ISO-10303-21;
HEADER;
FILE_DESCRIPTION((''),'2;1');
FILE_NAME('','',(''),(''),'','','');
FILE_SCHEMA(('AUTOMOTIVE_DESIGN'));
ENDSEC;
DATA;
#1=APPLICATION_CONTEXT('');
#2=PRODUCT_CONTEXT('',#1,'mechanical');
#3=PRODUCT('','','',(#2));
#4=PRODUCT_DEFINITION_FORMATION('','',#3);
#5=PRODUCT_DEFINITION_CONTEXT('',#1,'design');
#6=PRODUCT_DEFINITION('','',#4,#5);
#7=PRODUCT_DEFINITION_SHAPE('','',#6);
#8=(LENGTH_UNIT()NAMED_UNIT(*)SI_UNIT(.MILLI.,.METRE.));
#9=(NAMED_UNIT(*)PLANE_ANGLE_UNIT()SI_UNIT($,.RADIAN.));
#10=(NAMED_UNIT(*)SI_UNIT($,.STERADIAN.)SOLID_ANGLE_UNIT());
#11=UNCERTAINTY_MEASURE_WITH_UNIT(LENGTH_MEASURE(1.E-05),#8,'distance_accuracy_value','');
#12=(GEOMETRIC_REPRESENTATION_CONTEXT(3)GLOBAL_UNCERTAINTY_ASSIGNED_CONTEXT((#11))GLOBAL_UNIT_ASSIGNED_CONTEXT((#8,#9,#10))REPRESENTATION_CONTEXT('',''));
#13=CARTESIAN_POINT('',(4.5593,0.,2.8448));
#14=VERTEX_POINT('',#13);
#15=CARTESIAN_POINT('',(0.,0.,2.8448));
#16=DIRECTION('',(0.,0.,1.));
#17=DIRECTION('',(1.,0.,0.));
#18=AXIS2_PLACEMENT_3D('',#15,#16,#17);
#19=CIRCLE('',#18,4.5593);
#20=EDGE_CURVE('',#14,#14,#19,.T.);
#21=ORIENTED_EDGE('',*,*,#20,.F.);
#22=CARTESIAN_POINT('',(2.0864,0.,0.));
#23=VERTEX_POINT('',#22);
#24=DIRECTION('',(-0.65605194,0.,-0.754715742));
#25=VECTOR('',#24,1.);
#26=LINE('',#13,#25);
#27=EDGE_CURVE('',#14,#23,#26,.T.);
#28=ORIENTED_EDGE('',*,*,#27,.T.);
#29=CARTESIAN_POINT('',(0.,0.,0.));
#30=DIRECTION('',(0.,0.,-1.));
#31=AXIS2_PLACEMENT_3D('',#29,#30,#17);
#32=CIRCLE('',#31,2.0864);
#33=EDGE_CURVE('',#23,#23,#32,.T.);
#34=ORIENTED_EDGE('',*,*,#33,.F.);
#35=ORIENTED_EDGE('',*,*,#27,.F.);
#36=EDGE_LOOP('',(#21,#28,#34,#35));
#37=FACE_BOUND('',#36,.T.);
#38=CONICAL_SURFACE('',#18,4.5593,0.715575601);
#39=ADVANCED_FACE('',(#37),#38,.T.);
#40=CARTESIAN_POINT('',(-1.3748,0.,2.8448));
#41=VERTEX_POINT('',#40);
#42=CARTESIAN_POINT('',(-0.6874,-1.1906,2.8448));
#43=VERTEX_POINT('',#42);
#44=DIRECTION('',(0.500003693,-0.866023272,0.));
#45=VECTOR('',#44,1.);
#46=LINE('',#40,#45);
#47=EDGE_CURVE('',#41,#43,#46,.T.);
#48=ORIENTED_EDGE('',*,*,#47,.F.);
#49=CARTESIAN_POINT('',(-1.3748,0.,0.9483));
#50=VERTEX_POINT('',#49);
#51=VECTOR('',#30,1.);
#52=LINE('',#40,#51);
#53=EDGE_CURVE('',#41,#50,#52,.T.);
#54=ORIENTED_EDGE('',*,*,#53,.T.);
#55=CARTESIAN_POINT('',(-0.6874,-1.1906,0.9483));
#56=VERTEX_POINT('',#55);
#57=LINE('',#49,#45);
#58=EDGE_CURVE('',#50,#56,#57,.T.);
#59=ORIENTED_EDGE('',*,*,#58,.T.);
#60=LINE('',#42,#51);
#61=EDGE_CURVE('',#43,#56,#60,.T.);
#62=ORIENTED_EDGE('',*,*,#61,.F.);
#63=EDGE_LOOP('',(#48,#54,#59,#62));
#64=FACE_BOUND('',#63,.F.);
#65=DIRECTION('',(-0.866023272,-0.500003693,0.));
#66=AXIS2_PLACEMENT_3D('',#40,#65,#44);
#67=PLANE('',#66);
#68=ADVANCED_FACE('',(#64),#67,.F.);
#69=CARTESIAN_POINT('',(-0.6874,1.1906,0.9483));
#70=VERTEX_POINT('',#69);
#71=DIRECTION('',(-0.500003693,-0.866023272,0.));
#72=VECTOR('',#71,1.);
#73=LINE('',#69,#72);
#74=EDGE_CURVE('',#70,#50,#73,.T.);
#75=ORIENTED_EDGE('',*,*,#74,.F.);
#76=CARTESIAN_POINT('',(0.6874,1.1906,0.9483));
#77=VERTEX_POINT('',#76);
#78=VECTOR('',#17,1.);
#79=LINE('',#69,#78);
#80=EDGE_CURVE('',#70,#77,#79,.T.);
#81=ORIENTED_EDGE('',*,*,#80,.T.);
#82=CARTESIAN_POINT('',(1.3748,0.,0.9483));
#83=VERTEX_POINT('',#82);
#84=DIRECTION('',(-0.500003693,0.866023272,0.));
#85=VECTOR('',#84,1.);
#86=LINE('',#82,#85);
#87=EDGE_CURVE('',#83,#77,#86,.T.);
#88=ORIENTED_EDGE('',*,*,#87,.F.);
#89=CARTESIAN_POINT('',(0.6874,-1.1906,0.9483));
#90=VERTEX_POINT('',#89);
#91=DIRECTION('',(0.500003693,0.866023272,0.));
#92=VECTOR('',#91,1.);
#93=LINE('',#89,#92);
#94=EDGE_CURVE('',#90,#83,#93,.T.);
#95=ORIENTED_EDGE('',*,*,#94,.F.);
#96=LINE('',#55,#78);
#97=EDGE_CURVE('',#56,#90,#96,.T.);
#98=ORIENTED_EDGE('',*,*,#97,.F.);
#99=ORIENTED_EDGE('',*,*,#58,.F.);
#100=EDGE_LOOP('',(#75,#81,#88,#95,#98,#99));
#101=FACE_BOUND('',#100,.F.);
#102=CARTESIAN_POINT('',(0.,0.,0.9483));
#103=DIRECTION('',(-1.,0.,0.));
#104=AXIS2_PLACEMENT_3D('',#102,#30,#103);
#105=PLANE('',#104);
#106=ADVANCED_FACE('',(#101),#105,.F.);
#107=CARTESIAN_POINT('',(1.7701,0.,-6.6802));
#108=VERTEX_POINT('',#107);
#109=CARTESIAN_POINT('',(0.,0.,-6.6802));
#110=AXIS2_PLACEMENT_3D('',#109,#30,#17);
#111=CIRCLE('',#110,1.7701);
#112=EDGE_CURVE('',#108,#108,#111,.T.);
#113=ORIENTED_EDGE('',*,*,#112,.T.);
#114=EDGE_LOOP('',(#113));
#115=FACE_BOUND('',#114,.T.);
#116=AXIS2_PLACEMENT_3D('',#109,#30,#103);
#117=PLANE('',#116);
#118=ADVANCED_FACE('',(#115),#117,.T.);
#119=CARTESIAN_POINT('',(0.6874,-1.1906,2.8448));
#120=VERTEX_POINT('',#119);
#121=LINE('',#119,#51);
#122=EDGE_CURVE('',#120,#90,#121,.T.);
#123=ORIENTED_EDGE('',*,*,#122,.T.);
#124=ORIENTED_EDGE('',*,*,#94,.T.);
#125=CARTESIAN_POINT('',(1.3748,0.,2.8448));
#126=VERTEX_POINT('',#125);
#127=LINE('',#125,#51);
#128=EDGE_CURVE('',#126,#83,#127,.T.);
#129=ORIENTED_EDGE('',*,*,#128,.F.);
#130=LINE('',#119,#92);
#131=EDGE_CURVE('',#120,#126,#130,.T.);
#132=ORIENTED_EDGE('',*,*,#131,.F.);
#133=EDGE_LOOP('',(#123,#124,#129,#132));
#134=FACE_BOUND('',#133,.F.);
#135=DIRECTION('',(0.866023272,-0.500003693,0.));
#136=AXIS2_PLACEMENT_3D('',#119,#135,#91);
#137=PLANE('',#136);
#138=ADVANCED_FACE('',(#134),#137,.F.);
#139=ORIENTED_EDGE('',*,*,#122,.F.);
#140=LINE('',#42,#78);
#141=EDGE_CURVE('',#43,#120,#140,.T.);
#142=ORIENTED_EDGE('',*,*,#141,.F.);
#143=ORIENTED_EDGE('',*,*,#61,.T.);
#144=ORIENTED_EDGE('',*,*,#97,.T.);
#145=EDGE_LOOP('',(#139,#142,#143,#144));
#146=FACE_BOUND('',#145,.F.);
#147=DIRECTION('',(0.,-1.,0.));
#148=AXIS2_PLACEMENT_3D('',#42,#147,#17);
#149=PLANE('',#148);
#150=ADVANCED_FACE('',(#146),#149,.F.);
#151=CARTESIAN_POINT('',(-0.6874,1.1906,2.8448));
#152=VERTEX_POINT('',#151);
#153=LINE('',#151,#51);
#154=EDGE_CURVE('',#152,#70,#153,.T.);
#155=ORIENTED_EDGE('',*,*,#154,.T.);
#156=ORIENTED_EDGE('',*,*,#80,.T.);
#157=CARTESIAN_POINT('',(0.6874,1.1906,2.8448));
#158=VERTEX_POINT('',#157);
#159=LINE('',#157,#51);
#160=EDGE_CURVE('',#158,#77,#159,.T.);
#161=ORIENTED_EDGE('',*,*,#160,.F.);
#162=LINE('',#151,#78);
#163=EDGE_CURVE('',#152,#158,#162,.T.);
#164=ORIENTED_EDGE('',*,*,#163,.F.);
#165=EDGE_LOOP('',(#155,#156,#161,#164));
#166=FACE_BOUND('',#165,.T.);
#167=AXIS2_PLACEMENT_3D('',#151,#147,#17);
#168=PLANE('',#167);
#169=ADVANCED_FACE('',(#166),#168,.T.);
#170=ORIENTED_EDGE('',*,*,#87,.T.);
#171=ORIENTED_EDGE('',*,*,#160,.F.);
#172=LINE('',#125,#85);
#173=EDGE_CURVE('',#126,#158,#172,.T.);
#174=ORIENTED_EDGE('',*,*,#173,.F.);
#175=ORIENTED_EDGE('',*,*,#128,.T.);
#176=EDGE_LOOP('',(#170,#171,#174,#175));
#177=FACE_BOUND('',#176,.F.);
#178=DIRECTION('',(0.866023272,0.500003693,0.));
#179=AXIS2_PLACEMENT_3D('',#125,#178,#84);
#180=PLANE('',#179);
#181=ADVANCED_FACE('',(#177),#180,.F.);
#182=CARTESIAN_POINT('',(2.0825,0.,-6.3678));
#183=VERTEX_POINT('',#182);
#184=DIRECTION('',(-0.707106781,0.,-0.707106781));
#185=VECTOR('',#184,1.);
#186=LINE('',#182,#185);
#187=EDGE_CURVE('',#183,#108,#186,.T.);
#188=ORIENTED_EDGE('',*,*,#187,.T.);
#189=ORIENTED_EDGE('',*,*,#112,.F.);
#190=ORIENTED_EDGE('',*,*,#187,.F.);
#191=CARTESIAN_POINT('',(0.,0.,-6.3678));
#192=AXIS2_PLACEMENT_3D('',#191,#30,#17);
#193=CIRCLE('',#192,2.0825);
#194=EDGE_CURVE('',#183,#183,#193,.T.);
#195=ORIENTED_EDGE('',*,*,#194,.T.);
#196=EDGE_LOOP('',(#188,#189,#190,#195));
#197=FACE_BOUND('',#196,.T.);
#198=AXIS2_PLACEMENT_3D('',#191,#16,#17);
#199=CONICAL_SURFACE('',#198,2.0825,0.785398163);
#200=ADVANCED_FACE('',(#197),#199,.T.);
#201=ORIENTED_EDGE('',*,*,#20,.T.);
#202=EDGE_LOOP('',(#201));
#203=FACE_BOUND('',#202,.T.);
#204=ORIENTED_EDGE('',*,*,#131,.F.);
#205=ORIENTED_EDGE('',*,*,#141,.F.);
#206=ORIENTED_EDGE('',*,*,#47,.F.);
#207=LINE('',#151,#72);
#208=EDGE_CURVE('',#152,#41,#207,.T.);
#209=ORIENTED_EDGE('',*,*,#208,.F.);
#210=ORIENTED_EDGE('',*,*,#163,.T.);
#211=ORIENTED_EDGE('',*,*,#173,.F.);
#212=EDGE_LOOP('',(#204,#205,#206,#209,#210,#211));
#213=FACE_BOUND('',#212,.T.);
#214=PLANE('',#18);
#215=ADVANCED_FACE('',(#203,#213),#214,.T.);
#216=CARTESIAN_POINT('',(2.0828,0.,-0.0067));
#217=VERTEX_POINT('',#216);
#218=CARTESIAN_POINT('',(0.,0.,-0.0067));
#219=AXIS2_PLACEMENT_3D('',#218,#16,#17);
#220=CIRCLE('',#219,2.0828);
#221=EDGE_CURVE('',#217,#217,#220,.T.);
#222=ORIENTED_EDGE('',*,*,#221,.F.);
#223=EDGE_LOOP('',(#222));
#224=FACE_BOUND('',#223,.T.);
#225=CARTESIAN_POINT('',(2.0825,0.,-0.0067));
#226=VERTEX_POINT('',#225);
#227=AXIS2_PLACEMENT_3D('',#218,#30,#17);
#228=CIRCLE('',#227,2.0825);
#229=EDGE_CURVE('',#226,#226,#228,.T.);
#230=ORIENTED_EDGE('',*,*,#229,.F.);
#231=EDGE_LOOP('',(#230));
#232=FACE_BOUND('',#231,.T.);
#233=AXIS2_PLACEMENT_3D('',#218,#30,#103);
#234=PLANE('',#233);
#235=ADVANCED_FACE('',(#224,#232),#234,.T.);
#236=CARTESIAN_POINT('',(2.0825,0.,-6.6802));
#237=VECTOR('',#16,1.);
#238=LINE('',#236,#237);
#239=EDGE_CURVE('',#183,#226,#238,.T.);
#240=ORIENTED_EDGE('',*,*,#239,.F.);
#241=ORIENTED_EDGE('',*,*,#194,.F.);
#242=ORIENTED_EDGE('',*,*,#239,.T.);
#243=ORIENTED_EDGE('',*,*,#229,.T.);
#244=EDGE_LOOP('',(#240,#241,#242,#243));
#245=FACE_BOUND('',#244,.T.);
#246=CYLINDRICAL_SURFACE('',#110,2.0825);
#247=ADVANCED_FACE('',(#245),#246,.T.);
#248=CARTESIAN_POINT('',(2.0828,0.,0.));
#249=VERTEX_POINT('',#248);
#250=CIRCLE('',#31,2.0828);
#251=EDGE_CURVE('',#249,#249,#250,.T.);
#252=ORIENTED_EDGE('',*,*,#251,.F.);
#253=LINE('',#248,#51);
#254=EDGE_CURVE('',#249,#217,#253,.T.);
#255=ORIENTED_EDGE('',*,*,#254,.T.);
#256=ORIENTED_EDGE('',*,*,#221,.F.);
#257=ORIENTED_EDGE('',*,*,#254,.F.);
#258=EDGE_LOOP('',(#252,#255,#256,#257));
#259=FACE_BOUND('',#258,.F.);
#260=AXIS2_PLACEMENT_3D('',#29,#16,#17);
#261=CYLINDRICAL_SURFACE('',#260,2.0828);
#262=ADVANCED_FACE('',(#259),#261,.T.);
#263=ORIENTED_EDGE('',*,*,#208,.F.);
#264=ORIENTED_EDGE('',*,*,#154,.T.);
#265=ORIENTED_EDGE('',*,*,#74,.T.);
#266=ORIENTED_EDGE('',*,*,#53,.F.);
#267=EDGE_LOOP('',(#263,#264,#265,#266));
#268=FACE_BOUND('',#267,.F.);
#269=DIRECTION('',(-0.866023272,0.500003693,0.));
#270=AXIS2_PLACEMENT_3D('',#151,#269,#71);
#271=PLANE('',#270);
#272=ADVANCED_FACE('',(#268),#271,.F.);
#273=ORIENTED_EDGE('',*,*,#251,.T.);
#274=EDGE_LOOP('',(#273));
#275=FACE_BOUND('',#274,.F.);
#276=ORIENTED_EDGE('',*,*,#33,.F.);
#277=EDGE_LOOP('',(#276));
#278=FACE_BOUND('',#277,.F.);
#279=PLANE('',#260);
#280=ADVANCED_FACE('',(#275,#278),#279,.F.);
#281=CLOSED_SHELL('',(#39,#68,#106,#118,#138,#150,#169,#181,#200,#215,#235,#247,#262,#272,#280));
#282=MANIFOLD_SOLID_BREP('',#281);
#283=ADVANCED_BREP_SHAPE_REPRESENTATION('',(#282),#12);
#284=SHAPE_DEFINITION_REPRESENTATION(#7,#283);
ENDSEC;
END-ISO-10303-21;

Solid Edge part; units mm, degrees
sketch "Sketch1" plane through (0, 0, 0) normal (0, 0, 1) x (1, 0, 0)
  circle A0 centre (0, 0) radius 4.5593
  dimension "D1" = 9.1186
extrude "Protrusion1" add sketch "Sketch1" along normal blind 2.8448
sketch "Sketch2" plane through (0, 0, 0) normal (0, 0, -1) x (1, 0, 0)
  circle A0 centre (0, 0) radius 2.0828
extrude "Protrusion2" add sketch "Sketch2" along normal blind 6.6802
sketch "Sketch3" plane through (0, 0, -6.6802) normal (0, 0, -1) x (1, 0, 0)
  circle A0 centre (0, 0) radius 2.0825
extrude "Cutout1" cut sketch "Sketch3" against normal blind 6.6735 flip side to cut
chamfer "Chamfer_1" distance 0.3124 angle 45 1 edges at (-2.0825, 0, -6.6802)
sketch "Sketch4" plane through (0, 0, 2.8448) normal (0, 0, 1) x (1, 0, 0)
  line L0 (-0.6874, 1.1906) -> (0.6874, 1.1906)
  line L1 (1.3748, 0) -> (0.6874, 1.1906)
  line L2 (0.6874, -1.1906) -> (1.3748, 0)
  line L3 (-0.6874, -1.1906) -> (0.6874, -1.1906)
  line L4 (-1.3748, 0) -> (-0.6874, -1.1906)
  line L5 (-0.6874, 1.1906) -> (-1.3748, 0)
  dimension "D1" = 2.3812
extrude "Cutout2" cut sketch "Sketch4" against normal blind 1.8965
sketch "Sketch5" plane through (0, 0, 0) normal (0, -1, 0) x (1, 0, 0)
  line L0 (4.5593, 2.8448) -> (2.0864, 0)
  line L1 (2.0864, 0) -> (4.5593, 0)
  line L2 (4.5593, 0) -> (4.5593, 2.8448)
revolve "RevolvedCutout1" cut sketch "Sketch5" angle 360 about axis through (0, 0, 14.0017) along (0, 0, -1)
properties part number "166340"
